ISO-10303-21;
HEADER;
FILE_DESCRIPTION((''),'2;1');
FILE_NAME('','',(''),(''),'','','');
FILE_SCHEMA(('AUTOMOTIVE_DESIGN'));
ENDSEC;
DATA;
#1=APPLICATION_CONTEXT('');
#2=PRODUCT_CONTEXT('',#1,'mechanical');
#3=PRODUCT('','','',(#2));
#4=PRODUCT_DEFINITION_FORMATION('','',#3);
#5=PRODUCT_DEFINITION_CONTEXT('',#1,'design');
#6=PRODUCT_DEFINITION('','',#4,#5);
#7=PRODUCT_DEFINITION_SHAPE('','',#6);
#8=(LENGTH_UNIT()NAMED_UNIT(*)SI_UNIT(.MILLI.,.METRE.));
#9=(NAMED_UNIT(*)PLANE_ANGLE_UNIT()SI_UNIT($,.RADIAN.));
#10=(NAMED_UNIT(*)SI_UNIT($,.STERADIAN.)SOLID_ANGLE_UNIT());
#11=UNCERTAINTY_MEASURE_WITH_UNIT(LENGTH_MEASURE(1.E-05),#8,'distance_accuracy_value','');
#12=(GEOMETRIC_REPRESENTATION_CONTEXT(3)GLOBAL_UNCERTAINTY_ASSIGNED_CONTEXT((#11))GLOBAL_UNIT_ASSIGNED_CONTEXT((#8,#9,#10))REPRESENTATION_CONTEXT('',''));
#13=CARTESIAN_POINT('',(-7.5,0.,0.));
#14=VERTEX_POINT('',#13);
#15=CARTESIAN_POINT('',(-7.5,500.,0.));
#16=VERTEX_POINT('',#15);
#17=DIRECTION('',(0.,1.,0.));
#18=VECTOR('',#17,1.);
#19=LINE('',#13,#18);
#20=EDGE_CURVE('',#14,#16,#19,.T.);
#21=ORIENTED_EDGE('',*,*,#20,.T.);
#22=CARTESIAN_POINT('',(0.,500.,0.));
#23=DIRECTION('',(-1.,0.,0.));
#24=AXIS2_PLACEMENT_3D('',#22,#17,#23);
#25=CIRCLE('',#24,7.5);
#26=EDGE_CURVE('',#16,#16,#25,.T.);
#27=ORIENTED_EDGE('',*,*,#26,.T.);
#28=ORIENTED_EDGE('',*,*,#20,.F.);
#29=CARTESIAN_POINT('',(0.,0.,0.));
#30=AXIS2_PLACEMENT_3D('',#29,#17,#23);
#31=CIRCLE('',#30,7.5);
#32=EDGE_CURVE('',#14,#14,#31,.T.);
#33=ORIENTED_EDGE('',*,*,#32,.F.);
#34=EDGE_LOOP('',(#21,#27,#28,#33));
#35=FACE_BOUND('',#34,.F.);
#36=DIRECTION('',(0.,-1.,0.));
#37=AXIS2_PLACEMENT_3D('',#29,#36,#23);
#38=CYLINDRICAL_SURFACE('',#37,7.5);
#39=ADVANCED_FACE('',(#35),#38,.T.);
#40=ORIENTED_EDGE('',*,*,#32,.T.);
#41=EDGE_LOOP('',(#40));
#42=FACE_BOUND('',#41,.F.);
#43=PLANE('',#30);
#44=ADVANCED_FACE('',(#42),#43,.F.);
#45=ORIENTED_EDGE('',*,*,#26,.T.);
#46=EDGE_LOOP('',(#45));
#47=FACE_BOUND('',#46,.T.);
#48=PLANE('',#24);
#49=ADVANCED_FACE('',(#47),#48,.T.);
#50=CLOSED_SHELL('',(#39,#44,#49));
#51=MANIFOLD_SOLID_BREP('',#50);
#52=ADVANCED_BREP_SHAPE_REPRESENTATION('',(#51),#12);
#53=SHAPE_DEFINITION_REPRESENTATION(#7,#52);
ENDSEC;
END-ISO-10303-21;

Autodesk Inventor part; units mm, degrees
ref_plane "YZ Plane" through (0, 0, 0) normal (1, 0, 0) x (0, 1, 0)
ref_plane "XZ Plane" through (0, 0, 0) normal (0, 1, 0) x (-1, 0, 0)
ref_plane "XY Plane" through (0, 0, 0) normal (0, 0, 1) x (1, 0, 0)
sketch "Sketch1" plane through (0, 0, 0) normal (0, 1, 0) x (-1, 0, 0)
  circle A0 centre (0, 0) radius 7.5
  dimension "d0" = 15
extrude "Extrusion1" add sketch "Sketch1" along normal blind 500
properties part number "Stange01"
